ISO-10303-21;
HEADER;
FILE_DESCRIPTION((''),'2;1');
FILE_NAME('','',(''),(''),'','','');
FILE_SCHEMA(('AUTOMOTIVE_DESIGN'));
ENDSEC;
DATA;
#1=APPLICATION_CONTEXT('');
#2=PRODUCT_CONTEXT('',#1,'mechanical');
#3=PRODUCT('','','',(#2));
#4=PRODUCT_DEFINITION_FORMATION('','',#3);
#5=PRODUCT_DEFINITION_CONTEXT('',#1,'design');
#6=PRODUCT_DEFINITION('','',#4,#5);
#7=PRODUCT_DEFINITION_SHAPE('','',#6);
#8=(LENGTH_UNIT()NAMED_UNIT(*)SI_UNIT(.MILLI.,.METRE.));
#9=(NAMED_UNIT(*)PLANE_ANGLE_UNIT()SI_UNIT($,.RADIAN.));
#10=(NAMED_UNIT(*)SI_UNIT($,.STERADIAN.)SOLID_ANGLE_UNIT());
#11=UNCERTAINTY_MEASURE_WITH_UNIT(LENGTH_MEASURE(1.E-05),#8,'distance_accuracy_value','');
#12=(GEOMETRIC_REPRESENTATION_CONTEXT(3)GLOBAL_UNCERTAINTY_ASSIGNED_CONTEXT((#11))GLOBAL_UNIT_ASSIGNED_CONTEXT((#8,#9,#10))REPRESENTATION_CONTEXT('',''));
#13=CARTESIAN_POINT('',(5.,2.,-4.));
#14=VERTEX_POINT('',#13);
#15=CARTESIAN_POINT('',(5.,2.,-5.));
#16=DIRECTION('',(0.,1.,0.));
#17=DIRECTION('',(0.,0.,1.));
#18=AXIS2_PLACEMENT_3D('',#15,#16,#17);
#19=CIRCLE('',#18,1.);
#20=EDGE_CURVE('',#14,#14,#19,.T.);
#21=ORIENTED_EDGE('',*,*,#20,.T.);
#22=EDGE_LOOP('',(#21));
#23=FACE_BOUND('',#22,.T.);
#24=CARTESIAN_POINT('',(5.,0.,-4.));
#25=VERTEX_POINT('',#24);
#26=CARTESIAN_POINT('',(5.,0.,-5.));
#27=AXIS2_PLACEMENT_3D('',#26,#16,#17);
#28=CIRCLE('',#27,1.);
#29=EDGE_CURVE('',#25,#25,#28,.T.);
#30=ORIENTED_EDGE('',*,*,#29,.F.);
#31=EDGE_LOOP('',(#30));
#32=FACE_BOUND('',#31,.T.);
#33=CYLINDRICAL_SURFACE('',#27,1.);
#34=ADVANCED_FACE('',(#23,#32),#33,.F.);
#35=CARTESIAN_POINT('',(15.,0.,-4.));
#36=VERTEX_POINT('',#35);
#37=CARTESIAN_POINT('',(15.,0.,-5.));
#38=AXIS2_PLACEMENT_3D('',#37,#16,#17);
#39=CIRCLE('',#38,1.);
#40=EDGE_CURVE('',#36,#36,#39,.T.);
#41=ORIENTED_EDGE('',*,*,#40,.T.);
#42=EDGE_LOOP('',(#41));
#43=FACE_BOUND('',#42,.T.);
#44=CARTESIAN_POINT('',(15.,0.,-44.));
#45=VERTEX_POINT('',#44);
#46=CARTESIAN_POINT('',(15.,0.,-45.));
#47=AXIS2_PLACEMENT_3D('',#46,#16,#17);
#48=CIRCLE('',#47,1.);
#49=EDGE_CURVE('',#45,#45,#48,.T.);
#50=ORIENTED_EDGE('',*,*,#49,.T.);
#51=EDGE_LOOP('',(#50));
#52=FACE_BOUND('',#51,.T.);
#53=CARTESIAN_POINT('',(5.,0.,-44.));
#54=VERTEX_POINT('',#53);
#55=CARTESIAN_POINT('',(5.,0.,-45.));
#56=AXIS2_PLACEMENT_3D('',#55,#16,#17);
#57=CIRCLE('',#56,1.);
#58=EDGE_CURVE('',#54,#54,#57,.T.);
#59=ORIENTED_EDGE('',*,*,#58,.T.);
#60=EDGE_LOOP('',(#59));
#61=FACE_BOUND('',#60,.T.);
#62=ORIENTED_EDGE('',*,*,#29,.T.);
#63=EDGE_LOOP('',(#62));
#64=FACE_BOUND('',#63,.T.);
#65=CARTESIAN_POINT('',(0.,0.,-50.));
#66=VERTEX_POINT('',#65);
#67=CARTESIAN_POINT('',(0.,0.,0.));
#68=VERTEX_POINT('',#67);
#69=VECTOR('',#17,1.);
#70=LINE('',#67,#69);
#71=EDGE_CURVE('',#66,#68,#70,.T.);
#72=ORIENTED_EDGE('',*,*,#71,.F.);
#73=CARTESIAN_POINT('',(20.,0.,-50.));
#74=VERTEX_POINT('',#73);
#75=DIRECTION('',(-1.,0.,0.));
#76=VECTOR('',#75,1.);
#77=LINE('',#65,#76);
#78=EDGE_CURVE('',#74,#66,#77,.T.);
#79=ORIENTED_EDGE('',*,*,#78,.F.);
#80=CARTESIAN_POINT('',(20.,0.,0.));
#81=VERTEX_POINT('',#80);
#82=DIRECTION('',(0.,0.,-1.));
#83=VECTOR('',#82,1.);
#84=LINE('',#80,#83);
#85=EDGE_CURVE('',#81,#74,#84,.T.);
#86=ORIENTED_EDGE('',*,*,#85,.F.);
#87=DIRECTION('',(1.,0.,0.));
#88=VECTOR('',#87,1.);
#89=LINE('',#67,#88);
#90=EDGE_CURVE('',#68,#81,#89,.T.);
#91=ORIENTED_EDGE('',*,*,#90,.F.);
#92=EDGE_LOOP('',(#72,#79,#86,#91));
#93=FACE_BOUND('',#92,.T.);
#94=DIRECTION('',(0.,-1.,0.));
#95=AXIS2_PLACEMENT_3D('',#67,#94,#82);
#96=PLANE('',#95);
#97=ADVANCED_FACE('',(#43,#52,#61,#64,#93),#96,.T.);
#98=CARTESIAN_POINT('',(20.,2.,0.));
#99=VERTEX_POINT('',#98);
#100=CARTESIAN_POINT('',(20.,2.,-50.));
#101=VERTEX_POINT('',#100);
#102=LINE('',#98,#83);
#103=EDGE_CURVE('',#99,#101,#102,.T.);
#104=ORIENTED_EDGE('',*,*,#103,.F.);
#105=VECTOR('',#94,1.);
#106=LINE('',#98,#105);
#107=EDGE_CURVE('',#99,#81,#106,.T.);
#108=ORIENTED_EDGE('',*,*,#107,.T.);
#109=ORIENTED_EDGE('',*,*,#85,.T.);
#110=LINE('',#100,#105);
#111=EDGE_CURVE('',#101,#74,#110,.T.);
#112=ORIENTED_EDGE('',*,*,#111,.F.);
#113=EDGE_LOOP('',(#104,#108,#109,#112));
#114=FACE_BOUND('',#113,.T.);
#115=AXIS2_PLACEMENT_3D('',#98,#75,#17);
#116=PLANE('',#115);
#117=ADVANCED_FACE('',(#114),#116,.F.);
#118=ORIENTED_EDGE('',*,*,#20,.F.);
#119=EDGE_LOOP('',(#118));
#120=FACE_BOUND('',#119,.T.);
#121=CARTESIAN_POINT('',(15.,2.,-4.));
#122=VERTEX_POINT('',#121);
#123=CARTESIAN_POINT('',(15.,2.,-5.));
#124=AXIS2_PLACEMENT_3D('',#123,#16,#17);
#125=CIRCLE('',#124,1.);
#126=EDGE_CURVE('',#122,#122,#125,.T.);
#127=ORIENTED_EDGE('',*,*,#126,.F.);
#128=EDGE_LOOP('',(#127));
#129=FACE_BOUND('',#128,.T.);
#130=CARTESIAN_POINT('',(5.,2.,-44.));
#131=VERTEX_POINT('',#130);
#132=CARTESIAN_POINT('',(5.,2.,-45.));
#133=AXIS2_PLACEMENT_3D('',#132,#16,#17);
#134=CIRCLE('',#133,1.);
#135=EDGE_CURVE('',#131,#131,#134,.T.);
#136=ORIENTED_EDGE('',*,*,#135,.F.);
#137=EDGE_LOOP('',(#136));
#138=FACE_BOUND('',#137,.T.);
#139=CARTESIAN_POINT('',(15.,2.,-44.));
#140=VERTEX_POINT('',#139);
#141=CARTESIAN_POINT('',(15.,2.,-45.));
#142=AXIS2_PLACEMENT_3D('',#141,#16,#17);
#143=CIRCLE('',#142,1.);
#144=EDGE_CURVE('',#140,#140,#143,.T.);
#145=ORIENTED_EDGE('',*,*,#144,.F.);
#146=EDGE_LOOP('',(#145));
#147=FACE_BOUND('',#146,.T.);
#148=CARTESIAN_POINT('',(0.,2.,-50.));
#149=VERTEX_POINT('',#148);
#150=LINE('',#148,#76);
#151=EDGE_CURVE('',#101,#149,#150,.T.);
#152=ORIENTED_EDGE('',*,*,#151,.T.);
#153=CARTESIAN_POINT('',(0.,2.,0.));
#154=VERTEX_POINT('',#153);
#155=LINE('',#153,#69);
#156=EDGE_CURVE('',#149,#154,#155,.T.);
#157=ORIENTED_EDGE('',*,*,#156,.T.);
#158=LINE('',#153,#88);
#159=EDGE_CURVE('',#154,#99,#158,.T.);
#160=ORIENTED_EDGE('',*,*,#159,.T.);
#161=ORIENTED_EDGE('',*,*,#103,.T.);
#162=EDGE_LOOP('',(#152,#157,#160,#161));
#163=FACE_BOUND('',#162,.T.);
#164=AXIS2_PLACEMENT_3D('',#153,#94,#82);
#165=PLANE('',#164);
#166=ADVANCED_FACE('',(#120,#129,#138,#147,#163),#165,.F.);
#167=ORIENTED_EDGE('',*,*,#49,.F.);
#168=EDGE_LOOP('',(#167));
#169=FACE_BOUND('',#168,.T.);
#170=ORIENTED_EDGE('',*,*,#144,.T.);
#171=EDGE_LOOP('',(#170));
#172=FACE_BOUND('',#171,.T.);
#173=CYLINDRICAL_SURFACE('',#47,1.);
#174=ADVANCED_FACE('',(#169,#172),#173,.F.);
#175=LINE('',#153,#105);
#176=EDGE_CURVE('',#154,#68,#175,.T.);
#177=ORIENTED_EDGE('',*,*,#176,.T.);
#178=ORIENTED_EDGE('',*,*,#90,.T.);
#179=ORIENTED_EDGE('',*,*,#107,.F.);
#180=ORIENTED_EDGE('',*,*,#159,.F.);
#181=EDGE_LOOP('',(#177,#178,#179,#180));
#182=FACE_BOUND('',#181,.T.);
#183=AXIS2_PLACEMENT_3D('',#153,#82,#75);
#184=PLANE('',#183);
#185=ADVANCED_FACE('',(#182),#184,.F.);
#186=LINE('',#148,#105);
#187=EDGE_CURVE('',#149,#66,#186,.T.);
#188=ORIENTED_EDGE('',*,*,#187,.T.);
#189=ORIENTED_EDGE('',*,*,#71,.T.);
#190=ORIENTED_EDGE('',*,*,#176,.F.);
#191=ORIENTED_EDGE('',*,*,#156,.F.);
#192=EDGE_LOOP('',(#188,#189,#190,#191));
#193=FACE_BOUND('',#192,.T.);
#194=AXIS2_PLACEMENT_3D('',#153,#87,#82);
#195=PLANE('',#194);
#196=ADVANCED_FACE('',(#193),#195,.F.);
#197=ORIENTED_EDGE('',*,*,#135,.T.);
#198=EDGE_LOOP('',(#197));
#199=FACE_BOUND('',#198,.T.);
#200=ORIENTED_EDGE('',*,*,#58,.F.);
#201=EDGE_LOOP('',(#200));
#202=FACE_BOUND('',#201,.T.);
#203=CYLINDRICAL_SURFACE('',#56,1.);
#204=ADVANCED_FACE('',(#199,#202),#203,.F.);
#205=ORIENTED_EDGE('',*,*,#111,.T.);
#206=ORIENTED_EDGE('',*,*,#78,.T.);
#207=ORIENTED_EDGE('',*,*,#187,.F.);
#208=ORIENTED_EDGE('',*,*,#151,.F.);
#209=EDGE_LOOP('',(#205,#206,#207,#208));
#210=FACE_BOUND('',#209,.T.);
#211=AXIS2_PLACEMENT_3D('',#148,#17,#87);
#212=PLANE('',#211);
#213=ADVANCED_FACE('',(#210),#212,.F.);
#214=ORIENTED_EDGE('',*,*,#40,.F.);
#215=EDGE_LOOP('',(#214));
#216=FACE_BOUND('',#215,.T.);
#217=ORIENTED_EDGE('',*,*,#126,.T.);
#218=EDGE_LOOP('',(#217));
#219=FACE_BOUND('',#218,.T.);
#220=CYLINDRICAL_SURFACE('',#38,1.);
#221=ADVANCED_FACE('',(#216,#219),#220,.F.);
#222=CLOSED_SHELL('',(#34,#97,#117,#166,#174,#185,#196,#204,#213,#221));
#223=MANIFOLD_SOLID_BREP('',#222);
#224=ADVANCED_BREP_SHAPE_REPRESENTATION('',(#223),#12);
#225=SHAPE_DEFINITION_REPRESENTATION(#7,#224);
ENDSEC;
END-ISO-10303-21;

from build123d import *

# Parameters (mm, degrees)
ESQUISSE1_W             = 20
ESQUISSE1_H             = 50
BOSS_EXTRU_1_DEPTH      = 2
ESQUISSE2_R             = 1
ENL_V_MAT_EXTRU_1_DEPTH = 54.888774341


with BuildPart() as part:
    # Esquisse1 → Boss.-Extru.1 (new body)
    with BuildSketch(Plane(origin=(0, 0, 0), x_dir=(1, 0, 0), z_dir=(0, 1, 0))):
        with Locations((10, 25)):
            Rectangle(ESQUISSE1_W, ESQUISSE1_H)
    extrude(amount=BOSS_EXTRU_1_DEPTH)

    # Esquisse2 → Enlèv. mat.-Extru.1 (cut, through all)
    with BuildSketch(Plane(origin=(0, 2, 0), x_dir=(1, 0, 0), z_dir=(0, 1, 0))):
        with Locations(Location((5, 45, 0), (0, 0, 270))):
            Circle(ESQUISSE2_R)
        with Locations(Location((15, 45, 0), (0, 0, 270))):
            Circle(ESQUISSE2_R)
        with Locations(Location((15, 5, 0), (0, 0, 270))):
            Circle(ESQUISSE2_R)
        with Locations(Location((5, 5, 0), (0, 0, 270))):
            Circle(ESQUISSE2_R)
    extrude(amount=-ENL_V_MAT_EXTRU_1_DEPTH, mode=Mode.SUBTRACT)


solid = part.part
